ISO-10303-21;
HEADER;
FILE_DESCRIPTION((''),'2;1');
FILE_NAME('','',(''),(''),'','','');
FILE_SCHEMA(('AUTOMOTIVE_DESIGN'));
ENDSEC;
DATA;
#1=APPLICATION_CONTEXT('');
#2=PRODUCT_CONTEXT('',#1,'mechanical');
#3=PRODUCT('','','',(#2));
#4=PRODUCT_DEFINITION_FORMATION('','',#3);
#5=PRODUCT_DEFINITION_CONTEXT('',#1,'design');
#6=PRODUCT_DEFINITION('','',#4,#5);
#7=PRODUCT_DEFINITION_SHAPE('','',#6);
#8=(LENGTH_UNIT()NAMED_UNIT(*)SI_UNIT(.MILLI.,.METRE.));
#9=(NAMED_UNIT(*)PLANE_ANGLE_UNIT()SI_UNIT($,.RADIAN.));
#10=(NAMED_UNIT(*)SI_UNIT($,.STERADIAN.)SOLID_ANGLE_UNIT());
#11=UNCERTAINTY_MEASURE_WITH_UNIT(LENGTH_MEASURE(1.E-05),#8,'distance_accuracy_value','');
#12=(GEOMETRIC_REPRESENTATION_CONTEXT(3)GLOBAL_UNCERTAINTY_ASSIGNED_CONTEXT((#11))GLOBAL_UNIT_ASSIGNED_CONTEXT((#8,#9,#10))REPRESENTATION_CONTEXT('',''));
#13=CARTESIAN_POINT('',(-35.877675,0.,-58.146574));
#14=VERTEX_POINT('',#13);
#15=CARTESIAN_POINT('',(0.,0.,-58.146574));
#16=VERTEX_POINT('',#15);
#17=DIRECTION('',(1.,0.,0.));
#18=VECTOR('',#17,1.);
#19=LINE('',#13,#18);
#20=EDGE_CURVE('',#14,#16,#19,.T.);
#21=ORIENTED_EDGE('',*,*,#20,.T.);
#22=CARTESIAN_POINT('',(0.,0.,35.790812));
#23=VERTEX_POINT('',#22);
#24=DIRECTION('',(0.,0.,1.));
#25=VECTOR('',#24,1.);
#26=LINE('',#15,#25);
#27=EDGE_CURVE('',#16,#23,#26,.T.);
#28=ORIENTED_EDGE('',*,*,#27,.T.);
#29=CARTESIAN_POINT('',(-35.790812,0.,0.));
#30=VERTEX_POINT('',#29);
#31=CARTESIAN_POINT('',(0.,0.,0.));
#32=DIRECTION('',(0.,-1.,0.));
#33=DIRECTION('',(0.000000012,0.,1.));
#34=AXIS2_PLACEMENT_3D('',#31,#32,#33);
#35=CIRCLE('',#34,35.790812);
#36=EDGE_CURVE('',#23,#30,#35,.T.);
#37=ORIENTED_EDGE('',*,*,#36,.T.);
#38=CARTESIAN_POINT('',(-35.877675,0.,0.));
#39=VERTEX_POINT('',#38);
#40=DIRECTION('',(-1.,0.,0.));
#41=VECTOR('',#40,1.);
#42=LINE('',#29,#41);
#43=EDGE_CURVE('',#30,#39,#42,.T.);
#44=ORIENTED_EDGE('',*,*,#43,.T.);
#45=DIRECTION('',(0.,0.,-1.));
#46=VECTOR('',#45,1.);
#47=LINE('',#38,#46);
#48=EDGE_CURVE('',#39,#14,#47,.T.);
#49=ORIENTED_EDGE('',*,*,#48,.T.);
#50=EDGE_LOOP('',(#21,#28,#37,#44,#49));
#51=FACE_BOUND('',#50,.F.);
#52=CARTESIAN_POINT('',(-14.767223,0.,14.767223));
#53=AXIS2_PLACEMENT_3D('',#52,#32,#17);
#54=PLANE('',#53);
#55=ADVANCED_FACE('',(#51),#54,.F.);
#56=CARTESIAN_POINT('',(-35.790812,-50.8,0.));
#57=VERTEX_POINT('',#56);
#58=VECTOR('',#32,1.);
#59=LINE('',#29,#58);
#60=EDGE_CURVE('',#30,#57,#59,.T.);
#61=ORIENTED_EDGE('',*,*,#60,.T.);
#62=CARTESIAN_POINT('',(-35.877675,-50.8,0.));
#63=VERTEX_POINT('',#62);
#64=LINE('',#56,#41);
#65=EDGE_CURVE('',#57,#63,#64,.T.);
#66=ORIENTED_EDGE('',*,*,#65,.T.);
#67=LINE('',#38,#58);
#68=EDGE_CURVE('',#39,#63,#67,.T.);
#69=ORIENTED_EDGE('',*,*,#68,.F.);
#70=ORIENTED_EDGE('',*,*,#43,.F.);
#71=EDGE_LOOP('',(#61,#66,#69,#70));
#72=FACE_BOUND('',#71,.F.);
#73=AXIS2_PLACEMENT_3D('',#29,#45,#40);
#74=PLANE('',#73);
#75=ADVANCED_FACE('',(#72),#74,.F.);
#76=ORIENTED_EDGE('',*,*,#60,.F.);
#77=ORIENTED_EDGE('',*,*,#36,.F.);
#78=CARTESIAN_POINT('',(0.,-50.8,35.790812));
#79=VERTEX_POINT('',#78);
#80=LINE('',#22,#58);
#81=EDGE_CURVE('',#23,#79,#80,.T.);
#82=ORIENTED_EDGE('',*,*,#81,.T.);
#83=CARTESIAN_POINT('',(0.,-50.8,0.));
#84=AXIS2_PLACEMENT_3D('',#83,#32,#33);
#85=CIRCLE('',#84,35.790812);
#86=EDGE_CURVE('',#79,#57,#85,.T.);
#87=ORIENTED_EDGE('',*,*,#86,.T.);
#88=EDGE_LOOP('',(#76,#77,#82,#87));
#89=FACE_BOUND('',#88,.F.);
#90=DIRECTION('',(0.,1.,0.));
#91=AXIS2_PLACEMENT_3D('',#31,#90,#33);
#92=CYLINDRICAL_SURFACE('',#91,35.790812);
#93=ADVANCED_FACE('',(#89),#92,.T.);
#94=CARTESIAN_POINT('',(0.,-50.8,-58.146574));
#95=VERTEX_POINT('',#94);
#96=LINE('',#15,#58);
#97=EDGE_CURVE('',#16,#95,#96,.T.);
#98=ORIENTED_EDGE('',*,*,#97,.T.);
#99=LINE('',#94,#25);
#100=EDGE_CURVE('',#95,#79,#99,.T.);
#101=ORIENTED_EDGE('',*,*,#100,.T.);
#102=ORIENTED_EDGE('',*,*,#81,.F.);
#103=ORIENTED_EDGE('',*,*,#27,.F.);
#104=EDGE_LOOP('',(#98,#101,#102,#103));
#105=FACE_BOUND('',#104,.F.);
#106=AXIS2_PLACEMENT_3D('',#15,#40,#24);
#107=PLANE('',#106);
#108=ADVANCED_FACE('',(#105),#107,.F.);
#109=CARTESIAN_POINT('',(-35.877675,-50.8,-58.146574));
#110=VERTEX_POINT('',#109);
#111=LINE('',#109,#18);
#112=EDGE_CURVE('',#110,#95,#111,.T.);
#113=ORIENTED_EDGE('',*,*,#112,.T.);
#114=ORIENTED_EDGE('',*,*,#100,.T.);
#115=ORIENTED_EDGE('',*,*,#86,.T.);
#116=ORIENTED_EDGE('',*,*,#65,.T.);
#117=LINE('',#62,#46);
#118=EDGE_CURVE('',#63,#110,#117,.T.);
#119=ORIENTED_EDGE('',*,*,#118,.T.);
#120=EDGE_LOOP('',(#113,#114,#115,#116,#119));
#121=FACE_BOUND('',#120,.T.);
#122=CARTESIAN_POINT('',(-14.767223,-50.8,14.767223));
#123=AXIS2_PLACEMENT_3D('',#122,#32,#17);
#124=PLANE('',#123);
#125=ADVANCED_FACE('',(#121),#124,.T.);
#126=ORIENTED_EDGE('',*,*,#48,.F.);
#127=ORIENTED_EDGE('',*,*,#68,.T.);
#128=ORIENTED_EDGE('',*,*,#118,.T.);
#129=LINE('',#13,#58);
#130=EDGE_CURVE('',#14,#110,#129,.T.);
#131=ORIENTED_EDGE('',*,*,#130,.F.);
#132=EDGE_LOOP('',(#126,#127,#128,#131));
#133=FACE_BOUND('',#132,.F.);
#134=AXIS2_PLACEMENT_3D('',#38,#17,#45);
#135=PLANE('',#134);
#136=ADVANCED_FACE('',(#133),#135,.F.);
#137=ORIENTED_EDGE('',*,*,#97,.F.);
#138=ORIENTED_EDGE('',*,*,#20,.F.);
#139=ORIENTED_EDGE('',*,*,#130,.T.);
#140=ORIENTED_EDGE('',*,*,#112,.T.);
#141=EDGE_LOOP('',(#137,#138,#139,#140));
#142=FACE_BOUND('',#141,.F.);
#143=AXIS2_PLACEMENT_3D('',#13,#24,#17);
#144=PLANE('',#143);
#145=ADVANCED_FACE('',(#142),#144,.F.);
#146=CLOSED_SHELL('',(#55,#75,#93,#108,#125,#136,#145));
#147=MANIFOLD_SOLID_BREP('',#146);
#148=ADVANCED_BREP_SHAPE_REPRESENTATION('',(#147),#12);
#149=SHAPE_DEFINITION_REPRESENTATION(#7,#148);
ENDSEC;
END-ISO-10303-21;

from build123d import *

# Parameters (mm, degrees)
F1_DEPTH = 50.8


with BuildPart() as f1:
    # F0 (on Front) → F1 (new body)
    with BuildSketch(Plane.XZ):
        with BuildLine():
            ThreePointArc((0, 35.790812), (-25.307926, 25.307926), (-35.790812, 0))
            Line((-35.790812, 0), (0, 0))
            Line((0, 0), (0, 35.790812))
        make_face()
        Polygon((0, 0), (-35.790812, 0), (-35.877675, 0), (-35.877675, -58.146574), (0, -58.146574), align=None)
    extrude(amount=F1_DEPTH)


solid = f1.part
